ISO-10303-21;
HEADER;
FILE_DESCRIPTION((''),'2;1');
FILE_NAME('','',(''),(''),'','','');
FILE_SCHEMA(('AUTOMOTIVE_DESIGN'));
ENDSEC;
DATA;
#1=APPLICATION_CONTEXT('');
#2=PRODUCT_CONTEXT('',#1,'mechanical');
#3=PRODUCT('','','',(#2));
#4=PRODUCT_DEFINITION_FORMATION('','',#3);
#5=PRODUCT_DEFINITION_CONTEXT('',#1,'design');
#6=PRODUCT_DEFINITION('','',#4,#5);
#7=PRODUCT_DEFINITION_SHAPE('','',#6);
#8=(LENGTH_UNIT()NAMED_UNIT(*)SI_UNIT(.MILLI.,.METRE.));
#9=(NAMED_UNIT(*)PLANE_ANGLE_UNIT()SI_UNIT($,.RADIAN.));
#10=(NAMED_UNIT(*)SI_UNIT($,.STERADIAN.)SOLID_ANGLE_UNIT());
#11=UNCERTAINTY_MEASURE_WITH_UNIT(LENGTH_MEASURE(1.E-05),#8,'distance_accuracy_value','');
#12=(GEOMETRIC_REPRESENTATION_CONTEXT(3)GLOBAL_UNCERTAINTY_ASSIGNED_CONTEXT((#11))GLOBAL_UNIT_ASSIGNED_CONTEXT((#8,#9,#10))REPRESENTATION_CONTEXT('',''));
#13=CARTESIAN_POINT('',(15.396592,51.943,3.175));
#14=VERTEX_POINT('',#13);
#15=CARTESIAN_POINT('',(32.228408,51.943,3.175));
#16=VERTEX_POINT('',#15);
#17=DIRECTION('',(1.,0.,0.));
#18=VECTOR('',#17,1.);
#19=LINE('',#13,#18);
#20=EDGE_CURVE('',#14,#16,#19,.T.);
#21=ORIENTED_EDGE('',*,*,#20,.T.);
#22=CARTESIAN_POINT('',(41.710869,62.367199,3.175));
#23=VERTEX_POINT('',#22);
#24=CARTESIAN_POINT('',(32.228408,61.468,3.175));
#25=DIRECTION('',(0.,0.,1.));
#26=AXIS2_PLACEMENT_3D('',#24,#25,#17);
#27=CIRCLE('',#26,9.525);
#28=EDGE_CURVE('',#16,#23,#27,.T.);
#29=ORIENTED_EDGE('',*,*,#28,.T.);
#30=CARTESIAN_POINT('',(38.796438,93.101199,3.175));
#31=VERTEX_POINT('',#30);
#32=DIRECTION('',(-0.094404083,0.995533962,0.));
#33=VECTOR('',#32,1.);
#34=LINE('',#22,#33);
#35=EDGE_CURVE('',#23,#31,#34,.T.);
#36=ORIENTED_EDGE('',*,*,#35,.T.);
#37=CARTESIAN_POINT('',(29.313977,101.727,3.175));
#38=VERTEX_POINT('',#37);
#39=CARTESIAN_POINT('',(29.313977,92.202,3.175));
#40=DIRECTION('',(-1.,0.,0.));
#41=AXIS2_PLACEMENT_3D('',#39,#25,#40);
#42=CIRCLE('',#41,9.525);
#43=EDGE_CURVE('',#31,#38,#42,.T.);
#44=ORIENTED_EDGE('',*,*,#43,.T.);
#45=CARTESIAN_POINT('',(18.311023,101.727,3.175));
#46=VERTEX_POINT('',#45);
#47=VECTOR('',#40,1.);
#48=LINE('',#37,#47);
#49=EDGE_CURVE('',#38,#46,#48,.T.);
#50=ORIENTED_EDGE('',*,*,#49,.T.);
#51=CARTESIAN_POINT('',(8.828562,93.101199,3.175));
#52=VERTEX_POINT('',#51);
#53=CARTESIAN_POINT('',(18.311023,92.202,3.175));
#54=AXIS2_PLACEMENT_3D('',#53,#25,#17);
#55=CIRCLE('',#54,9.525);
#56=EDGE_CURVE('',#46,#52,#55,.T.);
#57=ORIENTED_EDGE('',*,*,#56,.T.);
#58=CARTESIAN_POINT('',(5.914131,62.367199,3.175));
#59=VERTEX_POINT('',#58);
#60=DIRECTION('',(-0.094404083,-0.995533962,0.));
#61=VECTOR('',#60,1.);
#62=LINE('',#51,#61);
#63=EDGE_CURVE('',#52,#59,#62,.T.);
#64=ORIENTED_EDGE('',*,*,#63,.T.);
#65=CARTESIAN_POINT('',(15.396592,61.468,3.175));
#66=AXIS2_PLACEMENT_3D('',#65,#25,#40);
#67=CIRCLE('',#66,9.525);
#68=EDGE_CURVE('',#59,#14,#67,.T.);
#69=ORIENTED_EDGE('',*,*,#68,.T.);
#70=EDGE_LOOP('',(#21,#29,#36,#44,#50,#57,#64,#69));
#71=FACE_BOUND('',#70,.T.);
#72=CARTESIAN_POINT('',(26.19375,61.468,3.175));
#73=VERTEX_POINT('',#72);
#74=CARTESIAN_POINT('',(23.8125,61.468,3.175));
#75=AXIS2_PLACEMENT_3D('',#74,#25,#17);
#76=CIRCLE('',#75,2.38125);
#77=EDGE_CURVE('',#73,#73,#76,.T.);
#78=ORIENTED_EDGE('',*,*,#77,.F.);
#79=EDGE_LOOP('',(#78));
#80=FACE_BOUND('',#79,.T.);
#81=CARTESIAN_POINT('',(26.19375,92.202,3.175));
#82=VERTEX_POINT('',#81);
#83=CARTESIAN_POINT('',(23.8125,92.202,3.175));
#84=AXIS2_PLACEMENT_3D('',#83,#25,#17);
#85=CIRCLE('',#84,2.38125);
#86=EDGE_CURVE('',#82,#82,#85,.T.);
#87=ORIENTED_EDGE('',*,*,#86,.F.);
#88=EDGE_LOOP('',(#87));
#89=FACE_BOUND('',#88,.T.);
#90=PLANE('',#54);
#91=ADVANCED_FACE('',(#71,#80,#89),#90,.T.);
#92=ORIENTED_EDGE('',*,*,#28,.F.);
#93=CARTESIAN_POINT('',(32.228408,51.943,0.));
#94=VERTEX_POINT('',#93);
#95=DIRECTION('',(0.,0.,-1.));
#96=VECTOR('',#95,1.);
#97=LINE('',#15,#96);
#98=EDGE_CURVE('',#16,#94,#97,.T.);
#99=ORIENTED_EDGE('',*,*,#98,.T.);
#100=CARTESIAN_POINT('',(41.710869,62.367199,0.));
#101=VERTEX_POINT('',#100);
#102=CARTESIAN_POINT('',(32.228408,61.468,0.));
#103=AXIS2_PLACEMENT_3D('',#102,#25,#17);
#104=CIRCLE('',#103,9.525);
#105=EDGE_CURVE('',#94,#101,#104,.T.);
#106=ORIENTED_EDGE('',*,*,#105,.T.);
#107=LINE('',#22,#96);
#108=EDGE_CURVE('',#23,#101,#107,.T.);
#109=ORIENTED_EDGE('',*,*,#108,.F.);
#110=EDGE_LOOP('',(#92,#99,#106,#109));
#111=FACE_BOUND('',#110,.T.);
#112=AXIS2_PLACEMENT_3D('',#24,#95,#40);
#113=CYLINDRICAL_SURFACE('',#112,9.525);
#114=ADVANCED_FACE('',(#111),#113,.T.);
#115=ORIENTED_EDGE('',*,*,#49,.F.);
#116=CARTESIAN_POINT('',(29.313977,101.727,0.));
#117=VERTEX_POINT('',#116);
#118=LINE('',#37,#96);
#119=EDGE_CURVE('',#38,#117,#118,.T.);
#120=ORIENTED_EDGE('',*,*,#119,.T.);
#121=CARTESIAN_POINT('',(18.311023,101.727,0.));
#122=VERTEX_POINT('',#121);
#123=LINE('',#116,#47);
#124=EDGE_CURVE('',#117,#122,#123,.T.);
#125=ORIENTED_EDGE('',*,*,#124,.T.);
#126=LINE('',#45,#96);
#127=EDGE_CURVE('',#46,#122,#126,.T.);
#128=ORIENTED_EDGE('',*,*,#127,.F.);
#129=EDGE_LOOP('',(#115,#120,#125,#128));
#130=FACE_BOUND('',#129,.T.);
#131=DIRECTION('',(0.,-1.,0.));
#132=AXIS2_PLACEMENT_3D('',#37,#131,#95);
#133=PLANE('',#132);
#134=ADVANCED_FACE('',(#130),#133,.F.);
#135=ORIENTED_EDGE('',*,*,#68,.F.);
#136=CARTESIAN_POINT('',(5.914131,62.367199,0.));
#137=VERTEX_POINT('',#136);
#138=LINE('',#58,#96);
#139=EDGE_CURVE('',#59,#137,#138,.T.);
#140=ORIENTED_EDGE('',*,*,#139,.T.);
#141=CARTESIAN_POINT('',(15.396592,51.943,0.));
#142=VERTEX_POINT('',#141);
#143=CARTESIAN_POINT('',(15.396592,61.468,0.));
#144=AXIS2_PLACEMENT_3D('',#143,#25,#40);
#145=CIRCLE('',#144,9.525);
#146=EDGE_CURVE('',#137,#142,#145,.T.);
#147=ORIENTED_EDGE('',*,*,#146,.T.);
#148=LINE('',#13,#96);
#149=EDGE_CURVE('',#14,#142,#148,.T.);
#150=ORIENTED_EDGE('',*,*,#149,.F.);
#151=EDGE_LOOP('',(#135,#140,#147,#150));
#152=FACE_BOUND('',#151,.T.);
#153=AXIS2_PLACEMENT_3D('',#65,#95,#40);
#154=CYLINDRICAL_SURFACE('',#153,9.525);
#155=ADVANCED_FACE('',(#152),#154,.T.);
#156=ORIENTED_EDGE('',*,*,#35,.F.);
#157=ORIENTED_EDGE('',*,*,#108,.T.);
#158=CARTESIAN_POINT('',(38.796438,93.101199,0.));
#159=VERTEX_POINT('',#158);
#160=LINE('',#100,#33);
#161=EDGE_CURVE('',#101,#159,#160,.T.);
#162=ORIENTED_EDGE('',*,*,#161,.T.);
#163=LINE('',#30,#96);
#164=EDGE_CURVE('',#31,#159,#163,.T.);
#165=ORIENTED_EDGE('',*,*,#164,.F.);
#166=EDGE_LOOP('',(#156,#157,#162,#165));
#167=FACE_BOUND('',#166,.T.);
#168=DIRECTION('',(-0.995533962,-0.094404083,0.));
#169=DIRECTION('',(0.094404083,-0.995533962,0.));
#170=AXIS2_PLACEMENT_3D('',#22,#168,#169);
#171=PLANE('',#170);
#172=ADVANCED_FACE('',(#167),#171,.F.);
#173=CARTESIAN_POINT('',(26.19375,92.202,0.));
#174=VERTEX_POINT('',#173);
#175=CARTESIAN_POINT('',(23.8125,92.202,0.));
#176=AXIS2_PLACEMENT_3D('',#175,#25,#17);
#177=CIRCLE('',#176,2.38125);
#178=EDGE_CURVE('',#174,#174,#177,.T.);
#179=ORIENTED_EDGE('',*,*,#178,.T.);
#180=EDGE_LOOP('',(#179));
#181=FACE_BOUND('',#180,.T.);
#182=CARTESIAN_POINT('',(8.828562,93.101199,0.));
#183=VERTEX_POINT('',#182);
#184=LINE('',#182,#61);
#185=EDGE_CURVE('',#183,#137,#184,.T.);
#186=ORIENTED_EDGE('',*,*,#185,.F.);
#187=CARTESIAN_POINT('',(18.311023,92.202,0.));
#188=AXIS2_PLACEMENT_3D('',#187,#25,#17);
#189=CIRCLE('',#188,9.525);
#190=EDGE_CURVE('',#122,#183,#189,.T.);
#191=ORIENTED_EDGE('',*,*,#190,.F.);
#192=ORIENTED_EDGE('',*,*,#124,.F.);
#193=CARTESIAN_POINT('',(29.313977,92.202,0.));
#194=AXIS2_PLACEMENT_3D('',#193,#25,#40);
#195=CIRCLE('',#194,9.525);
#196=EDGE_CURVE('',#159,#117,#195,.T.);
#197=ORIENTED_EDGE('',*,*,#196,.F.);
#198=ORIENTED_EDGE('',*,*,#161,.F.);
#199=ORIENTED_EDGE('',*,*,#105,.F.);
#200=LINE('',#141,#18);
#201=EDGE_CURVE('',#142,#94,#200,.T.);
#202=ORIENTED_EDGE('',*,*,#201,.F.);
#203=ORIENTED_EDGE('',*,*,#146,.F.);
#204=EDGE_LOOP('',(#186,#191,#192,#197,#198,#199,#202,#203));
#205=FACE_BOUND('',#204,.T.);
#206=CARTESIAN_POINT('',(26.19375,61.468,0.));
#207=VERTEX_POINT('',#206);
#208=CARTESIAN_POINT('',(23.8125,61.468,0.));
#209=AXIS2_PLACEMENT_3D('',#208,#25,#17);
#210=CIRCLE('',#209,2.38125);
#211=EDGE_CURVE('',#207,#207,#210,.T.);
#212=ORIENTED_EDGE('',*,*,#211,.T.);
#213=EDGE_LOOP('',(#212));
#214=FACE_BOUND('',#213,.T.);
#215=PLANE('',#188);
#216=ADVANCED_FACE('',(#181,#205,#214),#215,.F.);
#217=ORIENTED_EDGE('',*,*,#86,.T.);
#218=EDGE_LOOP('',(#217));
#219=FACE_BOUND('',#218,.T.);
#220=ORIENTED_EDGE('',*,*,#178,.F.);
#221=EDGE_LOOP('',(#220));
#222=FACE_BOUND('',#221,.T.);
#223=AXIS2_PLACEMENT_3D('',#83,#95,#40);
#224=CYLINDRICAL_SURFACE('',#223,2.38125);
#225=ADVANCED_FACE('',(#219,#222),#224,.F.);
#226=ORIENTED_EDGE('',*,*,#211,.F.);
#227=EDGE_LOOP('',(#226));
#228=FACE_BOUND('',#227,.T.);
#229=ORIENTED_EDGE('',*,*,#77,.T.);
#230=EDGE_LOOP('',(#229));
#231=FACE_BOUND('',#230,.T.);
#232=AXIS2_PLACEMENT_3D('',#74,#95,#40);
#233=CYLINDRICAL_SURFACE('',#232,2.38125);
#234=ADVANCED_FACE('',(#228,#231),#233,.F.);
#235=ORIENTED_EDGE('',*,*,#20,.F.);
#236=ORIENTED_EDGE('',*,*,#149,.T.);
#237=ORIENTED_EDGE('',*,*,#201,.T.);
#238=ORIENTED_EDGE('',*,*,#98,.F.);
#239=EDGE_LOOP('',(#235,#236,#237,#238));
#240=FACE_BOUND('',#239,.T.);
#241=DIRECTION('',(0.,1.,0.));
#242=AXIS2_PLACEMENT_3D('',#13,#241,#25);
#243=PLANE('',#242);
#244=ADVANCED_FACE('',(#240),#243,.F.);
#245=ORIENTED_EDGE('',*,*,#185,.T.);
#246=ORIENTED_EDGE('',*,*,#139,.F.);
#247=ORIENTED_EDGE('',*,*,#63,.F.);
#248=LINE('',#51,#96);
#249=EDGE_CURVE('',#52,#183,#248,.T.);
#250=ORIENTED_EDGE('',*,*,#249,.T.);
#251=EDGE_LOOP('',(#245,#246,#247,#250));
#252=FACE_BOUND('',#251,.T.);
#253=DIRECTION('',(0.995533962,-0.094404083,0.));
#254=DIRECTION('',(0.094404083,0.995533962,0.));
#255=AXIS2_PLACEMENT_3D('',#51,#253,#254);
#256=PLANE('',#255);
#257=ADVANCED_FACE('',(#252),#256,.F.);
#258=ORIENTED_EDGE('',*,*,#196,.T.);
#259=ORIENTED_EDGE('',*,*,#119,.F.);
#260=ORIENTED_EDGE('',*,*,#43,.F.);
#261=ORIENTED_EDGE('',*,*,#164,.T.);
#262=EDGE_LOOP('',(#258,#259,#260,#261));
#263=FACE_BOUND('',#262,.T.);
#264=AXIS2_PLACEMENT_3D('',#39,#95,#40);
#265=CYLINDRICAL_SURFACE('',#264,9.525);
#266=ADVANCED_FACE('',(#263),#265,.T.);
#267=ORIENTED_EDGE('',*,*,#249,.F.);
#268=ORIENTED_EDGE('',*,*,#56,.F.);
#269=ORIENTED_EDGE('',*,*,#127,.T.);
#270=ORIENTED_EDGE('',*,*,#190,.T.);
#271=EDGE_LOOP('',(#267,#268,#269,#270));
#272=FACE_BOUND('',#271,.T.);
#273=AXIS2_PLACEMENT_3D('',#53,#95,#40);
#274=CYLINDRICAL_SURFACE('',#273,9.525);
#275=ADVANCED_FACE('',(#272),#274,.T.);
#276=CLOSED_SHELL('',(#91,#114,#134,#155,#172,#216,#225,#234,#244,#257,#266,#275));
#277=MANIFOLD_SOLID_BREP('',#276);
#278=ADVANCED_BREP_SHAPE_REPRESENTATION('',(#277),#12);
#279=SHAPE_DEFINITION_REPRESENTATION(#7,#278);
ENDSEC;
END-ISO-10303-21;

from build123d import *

# Parameters (mm, degrees)
SKETCH1_R           = 2.38125
BOSS_EXTRUDE1_DEPTH = 3.175


with BuildPart() as part:
    # Sketch1 → Boss-Extrude1 (new body)
    with BuildSketch(Plane.XY):
        with BuildLine():
            Line((41.710869071, 62.367198887), (38.796438037, 93.101198887))
            ThreePointArc((38.796438037, 93.101198887), (35.723374666, 99.247938348), (29.31397705, 101.727))
            Line((29.31397705, 101.727), (18.31102295, 101.727))
            ThreePointArc((18.31102295, 101.727), (11.901625334, 99.247938348), (8.828561963, 93.101198887))
            Line((8.828561963, 93.101198887), (5.914130929, 62.367198887))
            ThreePointArc((5.914130929, 62.367198887), (8.350653568, 55.058602384), (15.396591915, 51.943))
            Line((15.396591915, 51.943), (32.228408085, 51.943))
            ThreePointArc((32.228408085, 51.943), (39.274346432, 55.058602384), (41.710869071, 62.367198887))
        make_face()
        with Locations((23.8125, 61.468)):
            Circle(SKETCH1_R, mode=Mode.SUBTRACT)
        with Locations((23.8125, 92.202)):
            Circle(SKETCH1_R, mode=Mode.SUBTRACT)
    extrude(amount=BOSS_EXTRUDE1_DEPTH)


solid = part.part
